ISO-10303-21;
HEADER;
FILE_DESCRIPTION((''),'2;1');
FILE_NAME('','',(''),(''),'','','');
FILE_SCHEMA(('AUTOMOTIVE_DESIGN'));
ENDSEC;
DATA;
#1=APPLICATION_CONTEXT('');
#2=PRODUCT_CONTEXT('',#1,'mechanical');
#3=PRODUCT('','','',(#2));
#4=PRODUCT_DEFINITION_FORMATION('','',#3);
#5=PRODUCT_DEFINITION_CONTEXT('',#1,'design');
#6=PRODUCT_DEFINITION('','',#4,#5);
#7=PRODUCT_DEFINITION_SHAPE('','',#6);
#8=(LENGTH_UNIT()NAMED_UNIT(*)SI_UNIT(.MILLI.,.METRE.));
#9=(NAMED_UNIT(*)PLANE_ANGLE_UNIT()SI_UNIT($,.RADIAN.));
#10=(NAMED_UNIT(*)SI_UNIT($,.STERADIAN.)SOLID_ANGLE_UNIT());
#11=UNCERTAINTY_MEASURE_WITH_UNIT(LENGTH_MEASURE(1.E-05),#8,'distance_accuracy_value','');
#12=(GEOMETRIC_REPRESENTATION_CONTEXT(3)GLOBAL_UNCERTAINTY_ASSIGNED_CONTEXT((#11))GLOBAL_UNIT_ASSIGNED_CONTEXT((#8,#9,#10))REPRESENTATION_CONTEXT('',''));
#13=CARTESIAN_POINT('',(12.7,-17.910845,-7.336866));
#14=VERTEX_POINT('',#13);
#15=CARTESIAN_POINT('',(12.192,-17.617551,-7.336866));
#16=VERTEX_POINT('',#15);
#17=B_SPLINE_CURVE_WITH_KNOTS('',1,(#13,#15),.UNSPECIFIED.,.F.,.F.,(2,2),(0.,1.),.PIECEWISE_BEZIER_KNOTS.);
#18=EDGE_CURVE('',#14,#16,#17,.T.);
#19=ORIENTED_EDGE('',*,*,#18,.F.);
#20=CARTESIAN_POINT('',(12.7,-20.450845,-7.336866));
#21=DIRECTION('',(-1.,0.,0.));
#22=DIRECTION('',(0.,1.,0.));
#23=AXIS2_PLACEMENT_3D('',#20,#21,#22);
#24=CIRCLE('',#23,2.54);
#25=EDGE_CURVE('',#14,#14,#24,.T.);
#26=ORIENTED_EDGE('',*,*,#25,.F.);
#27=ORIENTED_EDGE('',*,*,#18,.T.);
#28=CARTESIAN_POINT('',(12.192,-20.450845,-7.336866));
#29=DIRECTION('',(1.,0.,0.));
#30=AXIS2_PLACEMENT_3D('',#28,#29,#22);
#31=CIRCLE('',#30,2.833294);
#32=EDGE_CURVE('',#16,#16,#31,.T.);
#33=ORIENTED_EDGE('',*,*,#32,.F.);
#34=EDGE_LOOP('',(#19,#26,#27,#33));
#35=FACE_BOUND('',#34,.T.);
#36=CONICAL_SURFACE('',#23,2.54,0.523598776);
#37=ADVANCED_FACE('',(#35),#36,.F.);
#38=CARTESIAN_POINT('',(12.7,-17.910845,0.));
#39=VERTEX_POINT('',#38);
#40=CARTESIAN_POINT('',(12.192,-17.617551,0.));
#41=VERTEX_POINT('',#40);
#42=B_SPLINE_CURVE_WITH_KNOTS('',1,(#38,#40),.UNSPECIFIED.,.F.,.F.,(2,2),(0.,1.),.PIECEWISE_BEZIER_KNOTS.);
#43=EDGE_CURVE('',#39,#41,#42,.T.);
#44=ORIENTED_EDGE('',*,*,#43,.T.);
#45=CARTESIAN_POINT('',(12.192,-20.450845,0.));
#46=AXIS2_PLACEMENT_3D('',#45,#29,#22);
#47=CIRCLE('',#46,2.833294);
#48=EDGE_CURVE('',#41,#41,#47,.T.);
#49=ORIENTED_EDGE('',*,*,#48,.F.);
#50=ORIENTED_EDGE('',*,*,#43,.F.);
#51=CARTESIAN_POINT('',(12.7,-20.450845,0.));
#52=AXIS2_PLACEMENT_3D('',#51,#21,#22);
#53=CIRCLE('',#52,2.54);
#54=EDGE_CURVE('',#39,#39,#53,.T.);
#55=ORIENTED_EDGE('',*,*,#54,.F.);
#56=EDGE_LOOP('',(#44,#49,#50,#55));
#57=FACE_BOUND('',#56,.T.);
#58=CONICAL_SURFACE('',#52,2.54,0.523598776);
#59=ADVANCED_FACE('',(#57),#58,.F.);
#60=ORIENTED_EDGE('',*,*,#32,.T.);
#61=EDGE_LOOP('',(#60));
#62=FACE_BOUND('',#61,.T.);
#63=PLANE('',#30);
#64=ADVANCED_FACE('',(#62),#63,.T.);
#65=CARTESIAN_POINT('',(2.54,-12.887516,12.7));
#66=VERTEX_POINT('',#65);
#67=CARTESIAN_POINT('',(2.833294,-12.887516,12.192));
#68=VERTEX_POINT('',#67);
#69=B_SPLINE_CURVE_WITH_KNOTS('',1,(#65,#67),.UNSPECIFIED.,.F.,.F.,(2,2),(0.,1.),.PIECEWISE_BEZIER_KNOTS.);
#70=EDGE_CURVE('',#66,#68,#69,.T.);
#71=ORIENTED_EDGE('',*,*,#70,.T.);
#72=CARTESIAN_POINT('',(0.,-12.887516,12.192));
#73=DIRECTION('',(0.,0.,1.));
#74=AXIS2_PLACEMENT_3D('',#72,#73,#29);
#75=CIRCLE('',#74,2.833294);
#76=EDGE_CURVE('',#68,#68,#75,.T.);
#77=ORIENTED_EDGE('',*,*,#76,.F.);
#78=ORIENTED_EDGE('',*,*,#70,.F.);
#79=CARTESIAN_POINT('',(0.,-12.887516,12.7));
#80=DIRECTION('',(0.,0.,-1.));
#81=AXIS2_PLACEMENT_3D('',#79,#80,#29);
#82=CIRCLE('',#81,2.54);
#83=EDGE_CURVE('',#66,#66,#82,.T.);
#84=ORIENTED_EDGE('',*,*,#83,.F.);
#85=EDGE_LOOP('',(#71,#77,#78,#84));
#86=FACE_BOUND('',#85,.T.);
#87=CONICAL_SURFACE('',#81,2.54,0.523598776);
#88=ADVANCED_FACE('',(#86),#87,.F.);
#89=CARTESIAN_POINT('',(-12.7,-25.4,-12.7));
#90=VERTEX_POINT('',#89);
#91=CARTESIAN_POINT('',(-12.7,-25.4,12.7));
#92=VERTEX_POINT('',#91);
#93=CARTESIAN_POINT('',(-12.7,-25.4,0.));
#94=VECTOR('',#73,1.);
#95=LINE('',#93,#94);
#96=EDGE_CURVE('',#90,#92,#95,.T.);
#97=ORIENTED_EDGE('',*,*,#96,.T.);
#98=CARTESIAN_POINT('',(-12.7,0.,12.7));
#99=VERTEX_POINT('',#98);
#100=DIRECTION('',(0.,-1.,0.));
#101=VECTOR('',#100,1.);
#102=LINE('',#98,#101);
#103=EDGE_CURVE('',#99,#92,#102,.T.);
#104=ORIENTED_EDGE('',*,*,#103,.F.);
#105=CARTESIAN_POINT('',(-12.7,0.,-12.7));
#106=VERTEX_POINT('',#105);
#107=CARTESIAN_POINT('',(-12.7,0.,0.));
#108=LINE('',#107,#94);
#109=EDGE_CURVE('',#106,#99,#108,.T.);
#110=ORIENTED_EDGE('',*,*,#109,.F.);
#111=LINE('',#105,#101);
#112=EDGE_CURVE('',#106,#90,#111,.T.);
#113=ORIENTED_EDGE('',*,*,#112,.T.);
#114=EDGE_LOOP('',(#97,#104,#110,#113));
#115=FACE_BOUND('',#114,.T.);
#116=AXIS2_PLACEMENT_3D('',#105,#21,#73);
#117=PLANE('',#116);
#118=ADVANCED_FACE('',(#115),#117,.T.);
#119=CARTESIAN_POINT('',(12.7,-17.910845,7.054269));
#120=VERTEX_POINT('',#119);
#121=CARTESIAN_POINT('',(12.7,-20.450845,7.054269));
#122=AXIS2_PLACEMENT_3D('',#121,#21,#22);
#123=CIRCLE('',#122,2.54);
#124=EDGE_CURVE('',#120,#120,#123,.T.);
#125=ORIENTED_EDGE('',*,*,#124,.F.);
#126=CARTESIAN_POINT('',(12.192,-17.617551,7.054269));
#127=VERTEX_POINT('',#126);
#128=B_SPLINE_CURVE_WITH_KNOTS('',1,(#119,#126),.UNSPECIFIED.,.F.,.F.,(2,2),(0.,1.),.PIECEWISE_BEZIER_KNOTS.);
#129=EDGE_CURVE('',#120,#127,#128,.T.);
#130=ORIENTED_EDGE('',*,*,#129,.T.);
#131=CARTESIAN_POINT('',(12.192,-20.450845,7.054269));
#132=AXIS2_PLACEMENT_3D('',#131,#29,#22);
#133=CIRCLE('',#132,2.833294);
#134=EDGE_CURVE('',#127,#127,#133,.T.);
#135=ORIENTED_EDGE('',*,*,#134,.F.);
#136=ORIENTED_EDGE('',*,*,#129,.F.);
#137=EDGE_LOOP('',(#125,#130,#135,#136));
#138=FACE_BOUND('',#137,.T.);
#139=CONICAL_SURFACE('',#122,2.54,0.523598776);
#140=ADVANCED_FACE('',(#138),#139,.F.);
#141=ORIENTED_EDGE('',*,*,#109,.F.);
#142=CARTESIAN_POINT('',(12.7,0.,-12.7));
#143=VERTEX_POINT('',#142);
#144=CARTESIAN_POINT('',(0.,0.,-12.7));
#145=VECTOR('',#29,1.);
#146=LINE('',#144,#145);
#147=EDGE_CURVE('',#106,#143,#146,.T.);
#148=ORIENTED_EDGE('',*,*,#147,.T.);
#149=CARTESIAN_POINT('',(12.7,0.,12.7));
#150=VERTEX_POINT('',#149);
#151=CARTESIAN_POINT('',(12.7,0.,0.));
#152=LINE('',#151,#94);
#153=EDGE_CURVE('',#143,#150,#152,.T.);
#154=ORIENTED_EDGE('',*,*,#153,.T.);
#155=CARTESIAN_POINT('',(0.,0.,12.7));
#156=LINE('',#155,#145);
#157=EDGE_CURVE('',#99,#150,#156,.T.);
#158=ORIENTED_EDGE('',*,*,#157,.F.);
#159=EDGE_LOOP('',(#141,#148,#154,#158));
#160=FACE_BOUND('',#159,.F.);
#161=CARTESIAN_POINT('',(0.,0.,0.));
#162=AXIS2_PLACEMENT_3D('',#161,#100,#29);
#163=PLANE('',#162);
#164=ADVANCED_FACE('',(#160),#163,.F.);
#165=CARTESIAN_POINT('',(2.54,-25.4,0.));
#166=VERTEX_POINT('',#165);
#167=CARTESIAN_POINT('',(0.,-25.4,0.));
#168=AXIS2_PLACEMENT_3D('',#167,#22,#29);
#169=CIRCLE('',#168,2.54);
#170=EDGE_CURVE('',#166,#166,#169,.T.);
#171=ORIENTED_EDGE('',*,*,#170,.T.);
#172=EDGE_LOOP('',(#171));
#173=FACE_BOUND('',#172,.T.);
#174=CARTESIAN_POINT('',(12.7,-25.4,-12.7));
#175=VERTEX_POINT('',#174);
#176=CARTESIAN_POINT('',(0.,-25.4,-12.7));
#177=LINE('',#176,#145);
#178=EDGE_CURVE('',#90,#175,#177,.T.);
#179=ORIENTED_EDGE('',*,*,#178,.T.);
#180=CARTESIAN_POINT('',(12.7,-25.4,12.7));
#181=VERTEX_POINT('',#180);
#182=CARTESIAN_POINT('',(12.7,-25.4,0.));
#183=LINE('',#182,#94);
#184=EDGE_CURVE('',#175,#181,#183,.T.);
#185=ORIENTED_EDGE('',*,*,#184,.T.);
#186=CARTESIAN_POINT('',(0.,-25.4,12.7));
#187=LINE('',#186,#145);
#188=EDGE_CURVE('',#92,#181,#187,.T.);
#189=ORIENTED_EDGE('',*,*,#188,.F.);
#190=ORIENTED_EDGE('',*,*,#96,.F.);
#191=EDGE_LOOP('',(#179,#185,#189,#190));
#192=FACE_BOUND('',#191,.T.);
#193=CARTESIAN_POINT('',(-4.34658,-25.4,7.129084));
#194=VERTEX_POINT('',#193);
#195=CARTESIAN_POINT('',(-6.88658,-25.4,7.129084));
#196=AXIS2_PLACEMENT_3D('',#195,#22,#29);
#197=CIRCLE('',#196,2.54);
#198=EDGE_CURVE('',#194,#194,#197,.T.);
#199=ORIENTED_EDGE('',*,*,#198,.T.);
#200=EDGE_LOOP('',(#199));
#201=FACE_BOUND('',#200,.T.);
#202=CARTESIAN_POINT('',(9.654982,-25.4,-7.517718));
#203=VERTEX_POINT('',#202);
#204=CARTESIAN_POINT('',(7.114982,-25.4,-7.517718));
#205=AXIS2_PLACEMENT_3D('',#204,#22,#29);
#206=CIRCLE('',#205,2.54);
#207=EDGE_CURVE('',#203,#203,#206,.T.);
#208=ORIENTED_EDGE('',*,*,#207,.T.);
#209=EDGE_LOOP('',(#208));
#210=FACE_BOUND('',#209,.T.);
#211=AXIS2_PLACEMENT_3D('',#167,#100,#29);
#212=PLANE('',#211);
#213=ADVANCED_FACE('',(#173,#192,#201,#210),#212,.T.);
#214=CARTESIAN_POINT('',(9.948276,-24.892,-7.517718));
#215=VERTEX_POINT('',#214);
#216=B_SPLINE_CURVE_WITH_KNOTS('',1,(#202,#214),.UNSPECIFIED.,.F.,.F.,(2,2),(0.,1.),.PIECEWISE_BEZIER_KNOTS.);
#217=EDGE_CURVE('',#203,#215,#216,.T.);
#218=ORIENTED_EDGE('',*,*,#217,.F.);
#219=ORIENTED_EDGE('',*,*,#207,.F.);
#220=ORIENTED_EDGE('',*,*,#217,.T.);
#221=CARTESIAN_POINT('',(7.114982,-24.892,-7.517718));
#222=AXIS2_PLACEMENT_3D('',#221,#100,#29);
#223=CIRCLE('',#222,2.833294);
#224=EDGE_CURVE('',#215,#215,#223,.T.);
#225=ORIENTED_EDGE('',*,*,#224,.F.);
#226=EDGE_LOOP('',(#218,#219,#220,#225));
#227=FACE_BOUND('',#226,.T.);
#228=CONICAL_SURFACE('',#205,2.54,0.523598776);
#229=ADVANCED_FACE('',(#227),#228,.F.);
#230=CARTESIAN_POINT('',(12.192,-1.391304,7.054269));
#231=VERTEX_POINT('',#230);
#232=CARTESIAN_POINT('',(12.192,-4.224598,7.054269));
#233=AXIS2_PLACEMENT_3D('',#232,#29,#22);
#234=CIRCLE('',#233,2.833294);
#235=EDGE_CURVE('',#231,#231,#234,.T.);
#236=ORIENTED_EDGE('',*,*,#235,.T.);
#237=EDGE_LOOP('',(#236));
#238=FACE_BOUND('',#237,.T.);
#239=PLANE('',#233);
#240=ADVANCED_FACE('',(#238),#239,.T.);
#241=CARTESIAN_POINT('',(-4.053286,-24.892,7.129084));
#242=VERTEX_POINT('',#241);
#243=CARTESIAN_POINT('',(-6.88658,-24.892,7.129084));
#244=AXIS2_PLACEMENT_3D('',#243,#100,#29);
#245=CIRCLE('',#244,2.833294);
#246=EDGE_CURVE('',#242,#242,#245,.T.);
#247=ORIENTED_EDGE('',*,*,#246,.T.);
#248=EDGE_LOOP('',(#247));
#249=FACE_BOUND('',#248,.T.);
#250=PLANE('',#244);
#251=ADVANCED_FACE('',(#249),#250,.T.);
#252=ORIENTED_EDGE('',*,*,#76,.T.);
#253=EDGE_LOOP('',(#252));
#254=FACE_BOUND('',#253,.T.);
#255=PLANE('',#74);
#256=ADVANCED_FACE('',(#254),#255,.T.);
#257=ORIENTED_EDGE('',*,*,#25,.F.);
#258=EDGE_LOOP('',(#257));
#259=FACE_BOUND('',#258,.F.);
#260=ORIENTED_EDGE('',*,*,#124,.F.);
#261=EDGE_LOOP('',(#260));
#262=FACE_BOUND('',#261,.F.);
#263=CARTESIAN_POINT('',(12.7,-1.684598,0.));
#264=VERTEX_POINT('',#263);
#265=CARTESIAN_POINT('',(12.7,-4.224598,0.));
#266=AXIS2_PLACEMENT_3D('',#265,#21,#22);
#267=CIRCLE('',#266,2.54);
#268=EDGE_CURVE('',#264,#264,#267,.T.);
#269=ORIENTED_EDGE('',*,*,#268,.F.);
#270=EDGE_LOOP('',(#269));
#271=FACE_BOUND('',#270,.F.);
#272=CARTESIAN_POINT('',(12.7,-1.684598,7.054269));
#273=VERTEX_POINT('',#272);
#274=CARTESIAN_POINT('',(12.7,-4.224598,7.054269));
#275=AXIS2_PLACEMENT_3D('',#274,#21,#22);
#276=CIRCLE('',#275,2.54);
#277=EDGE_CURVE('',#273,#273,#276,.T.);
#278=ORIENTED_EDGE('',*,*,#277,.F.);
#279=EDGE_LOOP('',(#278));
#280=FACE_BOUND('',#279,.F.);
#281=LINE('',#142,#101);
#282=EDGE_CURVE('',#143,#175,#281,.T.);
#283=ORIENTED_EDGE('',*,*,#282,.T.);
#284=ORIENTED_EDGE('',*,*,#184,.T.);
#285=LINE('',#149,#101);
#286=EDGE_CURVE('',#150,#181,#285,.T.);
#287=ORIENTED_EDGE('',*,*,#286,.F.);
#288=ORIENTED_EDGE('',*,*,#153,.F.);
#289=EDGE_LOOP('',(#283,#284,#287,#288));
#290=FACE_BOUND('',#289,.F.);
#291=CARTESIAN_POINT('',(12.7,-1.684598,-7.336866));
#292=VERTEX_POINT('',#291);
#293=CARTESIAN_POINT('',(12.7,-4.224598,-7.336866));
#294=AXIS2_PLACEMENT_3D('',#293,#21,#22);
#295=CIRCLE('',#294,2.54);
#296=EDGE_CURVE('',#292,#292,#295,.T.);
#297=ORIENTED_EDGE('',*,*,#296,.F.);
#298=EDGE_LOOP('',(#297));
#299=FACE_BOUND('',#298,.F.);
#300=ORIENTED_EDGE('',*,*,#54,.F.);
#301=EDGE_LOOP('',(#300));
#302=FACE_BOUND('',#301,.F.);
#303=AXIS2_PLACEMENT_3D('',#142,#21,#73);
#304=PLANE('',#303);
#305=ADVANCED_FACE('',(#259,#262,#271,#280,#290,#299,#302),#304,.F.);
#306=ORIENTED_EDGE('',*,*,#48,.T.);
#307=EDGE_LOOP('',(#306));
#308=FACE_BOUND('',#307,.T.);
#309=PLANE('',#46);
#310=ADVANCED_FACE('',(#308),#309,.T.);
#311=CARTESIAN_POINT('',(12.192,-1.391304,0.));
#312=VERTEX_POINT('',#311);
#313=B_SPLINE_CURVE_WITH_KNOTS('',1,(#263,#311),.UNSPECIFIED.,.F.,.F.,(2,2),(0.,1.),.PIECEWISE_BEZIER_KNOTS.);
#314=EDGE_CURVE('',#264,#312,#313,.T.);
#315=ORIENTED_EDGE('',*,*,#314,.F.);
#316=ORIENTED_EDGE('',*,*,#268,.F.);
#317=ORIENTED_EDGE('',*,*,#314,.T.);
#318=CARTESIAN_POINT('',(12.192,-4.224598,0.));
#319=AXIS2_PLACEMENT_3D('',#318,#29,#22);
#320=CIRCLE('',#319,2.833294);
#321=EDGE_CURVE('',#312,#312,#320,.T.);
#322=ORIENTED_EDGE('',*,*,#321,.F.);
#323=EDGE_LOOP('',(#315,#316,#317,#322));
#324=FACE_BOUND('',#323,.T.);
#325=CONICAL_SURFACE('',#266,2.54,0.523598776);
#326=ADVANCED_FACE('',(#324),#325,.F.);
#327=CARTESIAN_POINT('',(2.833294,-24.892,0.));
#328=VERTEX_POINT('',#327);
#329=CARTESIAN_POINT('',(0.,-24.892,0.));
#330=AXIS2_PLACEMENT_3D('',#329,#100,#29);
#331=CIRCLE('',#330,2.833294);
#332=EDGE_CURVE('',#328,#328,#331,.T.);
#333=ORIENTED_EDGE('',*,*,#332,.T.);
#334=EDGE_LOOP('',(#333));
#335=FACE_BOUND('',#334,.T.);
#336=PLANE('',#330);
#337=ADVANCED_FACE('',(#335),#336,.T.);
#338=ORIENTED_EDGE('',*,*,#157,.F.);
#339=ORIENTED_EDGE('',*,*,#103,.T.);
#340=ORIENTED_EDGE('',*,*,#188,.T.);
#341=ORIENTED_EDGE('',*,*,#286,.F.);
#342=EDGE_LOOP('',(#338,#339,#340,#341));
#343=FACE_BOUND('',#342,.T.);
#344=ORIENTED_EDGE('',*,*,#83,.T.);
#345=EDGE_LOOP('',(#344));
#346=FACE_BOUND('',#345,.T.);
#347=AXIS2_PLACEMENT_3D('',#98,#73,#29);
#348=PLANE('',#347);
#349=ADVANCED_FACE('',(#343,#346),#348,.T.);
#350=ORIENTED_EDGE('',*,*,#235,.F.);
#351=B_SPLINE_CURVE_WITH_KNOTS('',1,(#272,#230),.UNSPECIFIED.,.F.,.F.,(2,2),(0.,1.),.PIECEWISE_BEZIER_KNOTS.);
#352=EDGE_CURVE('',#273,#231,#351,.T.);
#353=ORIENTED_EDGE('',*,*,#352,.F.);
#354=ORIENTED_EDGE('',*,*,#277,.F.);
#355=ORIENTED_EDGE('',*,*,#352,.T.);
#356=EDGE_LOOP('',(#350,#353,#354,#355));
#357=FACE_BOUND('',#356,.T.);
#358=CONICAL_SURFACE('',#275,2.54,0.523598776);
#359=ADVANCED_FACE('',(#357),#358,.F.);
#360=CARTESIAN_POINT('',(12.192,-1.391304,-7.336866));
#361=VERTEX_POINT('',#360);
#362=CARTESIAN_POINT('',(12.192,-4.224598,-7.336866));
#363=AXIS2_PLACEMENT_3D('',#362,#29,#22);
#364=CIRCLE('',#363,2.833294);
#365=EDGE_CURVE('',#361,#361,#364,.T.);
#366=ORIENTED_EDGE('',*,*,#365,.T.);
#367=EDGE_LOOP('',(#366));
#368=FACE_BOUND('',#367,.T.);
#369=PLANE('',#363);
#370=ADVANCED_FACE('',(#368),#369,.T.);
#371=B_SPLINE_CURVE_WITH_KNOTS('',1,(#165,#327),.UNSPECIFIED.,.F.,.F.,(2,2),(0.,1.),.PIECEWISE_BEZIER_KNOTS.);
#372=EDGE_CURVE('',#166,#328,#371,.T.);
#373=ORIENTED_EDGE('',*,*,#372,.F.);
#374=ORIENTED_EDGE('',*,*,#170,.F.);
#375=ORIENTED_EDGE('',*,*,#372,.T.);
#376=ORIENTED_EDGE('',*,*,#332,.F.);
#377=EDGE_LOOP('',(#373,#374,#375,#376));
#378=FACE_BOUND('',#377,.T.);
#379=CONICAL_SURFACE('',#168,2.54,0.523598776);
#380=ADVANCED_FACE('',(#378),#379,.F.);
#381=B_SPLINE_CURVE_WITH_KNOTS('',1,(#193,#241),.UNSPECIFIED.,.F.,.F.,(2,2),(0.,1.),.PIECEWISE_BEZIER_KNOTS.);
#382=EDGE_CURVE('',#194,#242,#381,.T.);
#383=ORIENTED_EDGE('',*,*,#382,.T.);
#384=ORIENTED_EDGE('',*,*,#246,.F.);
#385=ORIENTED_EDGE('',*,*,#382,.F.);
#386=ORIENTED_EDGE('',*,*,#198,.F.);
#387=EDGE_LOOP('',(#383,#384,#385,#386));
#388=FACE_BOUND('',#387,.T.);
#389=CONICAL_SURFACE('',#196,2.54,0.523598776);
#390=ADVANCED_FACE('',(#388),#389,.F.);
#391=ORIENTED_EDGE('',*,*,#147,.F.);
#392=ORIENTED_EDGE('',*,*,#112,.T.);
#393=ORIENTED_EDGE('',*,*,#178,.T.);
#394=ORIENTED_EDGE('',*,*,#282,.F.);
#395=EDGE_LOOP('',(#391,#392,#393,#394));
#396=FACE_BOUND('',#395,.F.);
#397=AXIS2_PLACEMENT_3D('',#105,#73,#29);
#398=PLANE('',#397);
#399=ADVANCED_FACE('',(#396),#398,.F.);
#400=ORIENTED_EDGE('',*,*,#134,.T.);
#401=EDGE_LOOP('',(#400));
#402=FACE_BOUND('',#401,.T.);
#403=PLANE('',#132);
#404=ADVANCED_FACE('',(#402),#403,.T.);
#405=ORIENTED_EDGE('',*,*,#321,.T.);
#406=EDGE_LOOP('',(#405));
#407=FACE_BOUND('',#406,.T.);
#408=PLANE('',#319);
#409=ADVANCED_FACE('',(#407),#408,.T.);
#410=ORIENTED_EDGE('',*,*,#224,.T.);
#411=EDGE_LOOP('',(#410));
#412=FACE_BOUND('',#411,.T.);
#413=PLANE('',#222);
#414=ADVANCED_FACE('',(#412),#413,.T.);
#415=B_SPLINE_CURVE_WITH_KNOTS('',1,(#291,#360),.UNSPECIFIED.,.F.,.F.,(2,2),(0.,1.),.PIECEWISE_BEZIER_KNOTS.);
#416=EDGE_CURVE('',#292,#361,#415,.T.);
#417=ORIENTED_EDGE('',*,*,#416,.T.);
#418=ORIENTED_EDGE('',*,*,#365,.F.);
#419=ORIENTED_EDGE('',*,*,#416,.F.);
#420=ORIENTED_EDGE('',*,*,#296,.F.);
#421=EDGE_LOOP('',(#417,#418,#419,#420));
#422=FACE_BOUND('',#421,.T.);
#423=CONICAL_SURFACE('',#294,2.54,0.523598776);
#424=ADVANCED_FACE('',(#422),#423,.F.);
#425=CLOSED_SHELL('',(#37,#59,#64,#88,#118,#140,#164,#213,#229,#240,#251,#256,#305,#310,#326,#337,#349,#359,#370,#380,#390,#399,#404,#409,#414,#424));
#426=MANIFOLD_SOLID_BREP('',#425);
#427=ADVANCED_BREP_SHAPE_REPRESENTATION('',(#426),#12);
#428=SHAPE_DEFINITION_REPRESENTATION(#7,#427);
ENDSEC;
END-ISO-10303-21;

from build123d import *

# Parameters (mm, degrees)
F0_W     = 25.4
F0_H     = 25.4
F1_DEPTH = 25.4
F2_R     = 2.54
F3_DEPTH = 0.508
F3_TAPER = -30
F4_R     = 2.54
F5_DEPTH = 0.508
F5_TAPER = -30
F6_R     = 2.54
F7_DEPTH = 0.508
F7_TAPER = -30


with BuildPart() as f1:
    # F0 (on Front) → F1 (new body)
    with BuildSketch(Plane.XZ):
        Rectangle(F0_W, F0_H)
    extrude(amount=F1_DEPTH)

    # F2 (on face) → F3 (cut)
    with BuildSketch(Plane.XY.offset(12.7)):
        with Locations((0, -12.887516059)):
            Circle(F2_R)
    extrude(amount=-F3_DEPTH, taper=F3_TAPER, mode=Mode.SUBTRACT)

    # F4 (on face) → F5 (cut)
    with BuildSketch(Plane.XZ.offset(25.4)):
        with Locations((-6.8865797892, 7.1290839781)):
            Circle(F4_R)
        Circle(F4_R)
        with Locations((7.1149822325, -7.5177177787)):
            Circle(F4_R)
    extrude(amount=-F5_DEPTH, taper=F5_TAPER, mode=Mode.SUBTRACT)

    # F6 (on face) → F7 (cut)
    with BuildSketch(Plane.YZ.offset(12.7)):
        with Locations((-20.4508453608, 7.0542693138)):
            Circle(F6_R)
        with Locations((-20.4508453608, 0)):
            Circle(F6_R)
        with Locations((-20.4508453608, -7.3368661106)):
            Circle(F6_R)
        with Locations((-4.2245979421, -7.3368661106)):
            Circle(F6_R)
        with Locations((-4.2245979421, 0)):
            Circle(F6_R)
        with Locations((-4.2245979421, 7.0542693138)):
            Circle(F6_R)
    extrude(amount=-F7_DEPTH, taper=F7_TAPER, mode=Mode.SUBTRACT)


solid = f1.part
